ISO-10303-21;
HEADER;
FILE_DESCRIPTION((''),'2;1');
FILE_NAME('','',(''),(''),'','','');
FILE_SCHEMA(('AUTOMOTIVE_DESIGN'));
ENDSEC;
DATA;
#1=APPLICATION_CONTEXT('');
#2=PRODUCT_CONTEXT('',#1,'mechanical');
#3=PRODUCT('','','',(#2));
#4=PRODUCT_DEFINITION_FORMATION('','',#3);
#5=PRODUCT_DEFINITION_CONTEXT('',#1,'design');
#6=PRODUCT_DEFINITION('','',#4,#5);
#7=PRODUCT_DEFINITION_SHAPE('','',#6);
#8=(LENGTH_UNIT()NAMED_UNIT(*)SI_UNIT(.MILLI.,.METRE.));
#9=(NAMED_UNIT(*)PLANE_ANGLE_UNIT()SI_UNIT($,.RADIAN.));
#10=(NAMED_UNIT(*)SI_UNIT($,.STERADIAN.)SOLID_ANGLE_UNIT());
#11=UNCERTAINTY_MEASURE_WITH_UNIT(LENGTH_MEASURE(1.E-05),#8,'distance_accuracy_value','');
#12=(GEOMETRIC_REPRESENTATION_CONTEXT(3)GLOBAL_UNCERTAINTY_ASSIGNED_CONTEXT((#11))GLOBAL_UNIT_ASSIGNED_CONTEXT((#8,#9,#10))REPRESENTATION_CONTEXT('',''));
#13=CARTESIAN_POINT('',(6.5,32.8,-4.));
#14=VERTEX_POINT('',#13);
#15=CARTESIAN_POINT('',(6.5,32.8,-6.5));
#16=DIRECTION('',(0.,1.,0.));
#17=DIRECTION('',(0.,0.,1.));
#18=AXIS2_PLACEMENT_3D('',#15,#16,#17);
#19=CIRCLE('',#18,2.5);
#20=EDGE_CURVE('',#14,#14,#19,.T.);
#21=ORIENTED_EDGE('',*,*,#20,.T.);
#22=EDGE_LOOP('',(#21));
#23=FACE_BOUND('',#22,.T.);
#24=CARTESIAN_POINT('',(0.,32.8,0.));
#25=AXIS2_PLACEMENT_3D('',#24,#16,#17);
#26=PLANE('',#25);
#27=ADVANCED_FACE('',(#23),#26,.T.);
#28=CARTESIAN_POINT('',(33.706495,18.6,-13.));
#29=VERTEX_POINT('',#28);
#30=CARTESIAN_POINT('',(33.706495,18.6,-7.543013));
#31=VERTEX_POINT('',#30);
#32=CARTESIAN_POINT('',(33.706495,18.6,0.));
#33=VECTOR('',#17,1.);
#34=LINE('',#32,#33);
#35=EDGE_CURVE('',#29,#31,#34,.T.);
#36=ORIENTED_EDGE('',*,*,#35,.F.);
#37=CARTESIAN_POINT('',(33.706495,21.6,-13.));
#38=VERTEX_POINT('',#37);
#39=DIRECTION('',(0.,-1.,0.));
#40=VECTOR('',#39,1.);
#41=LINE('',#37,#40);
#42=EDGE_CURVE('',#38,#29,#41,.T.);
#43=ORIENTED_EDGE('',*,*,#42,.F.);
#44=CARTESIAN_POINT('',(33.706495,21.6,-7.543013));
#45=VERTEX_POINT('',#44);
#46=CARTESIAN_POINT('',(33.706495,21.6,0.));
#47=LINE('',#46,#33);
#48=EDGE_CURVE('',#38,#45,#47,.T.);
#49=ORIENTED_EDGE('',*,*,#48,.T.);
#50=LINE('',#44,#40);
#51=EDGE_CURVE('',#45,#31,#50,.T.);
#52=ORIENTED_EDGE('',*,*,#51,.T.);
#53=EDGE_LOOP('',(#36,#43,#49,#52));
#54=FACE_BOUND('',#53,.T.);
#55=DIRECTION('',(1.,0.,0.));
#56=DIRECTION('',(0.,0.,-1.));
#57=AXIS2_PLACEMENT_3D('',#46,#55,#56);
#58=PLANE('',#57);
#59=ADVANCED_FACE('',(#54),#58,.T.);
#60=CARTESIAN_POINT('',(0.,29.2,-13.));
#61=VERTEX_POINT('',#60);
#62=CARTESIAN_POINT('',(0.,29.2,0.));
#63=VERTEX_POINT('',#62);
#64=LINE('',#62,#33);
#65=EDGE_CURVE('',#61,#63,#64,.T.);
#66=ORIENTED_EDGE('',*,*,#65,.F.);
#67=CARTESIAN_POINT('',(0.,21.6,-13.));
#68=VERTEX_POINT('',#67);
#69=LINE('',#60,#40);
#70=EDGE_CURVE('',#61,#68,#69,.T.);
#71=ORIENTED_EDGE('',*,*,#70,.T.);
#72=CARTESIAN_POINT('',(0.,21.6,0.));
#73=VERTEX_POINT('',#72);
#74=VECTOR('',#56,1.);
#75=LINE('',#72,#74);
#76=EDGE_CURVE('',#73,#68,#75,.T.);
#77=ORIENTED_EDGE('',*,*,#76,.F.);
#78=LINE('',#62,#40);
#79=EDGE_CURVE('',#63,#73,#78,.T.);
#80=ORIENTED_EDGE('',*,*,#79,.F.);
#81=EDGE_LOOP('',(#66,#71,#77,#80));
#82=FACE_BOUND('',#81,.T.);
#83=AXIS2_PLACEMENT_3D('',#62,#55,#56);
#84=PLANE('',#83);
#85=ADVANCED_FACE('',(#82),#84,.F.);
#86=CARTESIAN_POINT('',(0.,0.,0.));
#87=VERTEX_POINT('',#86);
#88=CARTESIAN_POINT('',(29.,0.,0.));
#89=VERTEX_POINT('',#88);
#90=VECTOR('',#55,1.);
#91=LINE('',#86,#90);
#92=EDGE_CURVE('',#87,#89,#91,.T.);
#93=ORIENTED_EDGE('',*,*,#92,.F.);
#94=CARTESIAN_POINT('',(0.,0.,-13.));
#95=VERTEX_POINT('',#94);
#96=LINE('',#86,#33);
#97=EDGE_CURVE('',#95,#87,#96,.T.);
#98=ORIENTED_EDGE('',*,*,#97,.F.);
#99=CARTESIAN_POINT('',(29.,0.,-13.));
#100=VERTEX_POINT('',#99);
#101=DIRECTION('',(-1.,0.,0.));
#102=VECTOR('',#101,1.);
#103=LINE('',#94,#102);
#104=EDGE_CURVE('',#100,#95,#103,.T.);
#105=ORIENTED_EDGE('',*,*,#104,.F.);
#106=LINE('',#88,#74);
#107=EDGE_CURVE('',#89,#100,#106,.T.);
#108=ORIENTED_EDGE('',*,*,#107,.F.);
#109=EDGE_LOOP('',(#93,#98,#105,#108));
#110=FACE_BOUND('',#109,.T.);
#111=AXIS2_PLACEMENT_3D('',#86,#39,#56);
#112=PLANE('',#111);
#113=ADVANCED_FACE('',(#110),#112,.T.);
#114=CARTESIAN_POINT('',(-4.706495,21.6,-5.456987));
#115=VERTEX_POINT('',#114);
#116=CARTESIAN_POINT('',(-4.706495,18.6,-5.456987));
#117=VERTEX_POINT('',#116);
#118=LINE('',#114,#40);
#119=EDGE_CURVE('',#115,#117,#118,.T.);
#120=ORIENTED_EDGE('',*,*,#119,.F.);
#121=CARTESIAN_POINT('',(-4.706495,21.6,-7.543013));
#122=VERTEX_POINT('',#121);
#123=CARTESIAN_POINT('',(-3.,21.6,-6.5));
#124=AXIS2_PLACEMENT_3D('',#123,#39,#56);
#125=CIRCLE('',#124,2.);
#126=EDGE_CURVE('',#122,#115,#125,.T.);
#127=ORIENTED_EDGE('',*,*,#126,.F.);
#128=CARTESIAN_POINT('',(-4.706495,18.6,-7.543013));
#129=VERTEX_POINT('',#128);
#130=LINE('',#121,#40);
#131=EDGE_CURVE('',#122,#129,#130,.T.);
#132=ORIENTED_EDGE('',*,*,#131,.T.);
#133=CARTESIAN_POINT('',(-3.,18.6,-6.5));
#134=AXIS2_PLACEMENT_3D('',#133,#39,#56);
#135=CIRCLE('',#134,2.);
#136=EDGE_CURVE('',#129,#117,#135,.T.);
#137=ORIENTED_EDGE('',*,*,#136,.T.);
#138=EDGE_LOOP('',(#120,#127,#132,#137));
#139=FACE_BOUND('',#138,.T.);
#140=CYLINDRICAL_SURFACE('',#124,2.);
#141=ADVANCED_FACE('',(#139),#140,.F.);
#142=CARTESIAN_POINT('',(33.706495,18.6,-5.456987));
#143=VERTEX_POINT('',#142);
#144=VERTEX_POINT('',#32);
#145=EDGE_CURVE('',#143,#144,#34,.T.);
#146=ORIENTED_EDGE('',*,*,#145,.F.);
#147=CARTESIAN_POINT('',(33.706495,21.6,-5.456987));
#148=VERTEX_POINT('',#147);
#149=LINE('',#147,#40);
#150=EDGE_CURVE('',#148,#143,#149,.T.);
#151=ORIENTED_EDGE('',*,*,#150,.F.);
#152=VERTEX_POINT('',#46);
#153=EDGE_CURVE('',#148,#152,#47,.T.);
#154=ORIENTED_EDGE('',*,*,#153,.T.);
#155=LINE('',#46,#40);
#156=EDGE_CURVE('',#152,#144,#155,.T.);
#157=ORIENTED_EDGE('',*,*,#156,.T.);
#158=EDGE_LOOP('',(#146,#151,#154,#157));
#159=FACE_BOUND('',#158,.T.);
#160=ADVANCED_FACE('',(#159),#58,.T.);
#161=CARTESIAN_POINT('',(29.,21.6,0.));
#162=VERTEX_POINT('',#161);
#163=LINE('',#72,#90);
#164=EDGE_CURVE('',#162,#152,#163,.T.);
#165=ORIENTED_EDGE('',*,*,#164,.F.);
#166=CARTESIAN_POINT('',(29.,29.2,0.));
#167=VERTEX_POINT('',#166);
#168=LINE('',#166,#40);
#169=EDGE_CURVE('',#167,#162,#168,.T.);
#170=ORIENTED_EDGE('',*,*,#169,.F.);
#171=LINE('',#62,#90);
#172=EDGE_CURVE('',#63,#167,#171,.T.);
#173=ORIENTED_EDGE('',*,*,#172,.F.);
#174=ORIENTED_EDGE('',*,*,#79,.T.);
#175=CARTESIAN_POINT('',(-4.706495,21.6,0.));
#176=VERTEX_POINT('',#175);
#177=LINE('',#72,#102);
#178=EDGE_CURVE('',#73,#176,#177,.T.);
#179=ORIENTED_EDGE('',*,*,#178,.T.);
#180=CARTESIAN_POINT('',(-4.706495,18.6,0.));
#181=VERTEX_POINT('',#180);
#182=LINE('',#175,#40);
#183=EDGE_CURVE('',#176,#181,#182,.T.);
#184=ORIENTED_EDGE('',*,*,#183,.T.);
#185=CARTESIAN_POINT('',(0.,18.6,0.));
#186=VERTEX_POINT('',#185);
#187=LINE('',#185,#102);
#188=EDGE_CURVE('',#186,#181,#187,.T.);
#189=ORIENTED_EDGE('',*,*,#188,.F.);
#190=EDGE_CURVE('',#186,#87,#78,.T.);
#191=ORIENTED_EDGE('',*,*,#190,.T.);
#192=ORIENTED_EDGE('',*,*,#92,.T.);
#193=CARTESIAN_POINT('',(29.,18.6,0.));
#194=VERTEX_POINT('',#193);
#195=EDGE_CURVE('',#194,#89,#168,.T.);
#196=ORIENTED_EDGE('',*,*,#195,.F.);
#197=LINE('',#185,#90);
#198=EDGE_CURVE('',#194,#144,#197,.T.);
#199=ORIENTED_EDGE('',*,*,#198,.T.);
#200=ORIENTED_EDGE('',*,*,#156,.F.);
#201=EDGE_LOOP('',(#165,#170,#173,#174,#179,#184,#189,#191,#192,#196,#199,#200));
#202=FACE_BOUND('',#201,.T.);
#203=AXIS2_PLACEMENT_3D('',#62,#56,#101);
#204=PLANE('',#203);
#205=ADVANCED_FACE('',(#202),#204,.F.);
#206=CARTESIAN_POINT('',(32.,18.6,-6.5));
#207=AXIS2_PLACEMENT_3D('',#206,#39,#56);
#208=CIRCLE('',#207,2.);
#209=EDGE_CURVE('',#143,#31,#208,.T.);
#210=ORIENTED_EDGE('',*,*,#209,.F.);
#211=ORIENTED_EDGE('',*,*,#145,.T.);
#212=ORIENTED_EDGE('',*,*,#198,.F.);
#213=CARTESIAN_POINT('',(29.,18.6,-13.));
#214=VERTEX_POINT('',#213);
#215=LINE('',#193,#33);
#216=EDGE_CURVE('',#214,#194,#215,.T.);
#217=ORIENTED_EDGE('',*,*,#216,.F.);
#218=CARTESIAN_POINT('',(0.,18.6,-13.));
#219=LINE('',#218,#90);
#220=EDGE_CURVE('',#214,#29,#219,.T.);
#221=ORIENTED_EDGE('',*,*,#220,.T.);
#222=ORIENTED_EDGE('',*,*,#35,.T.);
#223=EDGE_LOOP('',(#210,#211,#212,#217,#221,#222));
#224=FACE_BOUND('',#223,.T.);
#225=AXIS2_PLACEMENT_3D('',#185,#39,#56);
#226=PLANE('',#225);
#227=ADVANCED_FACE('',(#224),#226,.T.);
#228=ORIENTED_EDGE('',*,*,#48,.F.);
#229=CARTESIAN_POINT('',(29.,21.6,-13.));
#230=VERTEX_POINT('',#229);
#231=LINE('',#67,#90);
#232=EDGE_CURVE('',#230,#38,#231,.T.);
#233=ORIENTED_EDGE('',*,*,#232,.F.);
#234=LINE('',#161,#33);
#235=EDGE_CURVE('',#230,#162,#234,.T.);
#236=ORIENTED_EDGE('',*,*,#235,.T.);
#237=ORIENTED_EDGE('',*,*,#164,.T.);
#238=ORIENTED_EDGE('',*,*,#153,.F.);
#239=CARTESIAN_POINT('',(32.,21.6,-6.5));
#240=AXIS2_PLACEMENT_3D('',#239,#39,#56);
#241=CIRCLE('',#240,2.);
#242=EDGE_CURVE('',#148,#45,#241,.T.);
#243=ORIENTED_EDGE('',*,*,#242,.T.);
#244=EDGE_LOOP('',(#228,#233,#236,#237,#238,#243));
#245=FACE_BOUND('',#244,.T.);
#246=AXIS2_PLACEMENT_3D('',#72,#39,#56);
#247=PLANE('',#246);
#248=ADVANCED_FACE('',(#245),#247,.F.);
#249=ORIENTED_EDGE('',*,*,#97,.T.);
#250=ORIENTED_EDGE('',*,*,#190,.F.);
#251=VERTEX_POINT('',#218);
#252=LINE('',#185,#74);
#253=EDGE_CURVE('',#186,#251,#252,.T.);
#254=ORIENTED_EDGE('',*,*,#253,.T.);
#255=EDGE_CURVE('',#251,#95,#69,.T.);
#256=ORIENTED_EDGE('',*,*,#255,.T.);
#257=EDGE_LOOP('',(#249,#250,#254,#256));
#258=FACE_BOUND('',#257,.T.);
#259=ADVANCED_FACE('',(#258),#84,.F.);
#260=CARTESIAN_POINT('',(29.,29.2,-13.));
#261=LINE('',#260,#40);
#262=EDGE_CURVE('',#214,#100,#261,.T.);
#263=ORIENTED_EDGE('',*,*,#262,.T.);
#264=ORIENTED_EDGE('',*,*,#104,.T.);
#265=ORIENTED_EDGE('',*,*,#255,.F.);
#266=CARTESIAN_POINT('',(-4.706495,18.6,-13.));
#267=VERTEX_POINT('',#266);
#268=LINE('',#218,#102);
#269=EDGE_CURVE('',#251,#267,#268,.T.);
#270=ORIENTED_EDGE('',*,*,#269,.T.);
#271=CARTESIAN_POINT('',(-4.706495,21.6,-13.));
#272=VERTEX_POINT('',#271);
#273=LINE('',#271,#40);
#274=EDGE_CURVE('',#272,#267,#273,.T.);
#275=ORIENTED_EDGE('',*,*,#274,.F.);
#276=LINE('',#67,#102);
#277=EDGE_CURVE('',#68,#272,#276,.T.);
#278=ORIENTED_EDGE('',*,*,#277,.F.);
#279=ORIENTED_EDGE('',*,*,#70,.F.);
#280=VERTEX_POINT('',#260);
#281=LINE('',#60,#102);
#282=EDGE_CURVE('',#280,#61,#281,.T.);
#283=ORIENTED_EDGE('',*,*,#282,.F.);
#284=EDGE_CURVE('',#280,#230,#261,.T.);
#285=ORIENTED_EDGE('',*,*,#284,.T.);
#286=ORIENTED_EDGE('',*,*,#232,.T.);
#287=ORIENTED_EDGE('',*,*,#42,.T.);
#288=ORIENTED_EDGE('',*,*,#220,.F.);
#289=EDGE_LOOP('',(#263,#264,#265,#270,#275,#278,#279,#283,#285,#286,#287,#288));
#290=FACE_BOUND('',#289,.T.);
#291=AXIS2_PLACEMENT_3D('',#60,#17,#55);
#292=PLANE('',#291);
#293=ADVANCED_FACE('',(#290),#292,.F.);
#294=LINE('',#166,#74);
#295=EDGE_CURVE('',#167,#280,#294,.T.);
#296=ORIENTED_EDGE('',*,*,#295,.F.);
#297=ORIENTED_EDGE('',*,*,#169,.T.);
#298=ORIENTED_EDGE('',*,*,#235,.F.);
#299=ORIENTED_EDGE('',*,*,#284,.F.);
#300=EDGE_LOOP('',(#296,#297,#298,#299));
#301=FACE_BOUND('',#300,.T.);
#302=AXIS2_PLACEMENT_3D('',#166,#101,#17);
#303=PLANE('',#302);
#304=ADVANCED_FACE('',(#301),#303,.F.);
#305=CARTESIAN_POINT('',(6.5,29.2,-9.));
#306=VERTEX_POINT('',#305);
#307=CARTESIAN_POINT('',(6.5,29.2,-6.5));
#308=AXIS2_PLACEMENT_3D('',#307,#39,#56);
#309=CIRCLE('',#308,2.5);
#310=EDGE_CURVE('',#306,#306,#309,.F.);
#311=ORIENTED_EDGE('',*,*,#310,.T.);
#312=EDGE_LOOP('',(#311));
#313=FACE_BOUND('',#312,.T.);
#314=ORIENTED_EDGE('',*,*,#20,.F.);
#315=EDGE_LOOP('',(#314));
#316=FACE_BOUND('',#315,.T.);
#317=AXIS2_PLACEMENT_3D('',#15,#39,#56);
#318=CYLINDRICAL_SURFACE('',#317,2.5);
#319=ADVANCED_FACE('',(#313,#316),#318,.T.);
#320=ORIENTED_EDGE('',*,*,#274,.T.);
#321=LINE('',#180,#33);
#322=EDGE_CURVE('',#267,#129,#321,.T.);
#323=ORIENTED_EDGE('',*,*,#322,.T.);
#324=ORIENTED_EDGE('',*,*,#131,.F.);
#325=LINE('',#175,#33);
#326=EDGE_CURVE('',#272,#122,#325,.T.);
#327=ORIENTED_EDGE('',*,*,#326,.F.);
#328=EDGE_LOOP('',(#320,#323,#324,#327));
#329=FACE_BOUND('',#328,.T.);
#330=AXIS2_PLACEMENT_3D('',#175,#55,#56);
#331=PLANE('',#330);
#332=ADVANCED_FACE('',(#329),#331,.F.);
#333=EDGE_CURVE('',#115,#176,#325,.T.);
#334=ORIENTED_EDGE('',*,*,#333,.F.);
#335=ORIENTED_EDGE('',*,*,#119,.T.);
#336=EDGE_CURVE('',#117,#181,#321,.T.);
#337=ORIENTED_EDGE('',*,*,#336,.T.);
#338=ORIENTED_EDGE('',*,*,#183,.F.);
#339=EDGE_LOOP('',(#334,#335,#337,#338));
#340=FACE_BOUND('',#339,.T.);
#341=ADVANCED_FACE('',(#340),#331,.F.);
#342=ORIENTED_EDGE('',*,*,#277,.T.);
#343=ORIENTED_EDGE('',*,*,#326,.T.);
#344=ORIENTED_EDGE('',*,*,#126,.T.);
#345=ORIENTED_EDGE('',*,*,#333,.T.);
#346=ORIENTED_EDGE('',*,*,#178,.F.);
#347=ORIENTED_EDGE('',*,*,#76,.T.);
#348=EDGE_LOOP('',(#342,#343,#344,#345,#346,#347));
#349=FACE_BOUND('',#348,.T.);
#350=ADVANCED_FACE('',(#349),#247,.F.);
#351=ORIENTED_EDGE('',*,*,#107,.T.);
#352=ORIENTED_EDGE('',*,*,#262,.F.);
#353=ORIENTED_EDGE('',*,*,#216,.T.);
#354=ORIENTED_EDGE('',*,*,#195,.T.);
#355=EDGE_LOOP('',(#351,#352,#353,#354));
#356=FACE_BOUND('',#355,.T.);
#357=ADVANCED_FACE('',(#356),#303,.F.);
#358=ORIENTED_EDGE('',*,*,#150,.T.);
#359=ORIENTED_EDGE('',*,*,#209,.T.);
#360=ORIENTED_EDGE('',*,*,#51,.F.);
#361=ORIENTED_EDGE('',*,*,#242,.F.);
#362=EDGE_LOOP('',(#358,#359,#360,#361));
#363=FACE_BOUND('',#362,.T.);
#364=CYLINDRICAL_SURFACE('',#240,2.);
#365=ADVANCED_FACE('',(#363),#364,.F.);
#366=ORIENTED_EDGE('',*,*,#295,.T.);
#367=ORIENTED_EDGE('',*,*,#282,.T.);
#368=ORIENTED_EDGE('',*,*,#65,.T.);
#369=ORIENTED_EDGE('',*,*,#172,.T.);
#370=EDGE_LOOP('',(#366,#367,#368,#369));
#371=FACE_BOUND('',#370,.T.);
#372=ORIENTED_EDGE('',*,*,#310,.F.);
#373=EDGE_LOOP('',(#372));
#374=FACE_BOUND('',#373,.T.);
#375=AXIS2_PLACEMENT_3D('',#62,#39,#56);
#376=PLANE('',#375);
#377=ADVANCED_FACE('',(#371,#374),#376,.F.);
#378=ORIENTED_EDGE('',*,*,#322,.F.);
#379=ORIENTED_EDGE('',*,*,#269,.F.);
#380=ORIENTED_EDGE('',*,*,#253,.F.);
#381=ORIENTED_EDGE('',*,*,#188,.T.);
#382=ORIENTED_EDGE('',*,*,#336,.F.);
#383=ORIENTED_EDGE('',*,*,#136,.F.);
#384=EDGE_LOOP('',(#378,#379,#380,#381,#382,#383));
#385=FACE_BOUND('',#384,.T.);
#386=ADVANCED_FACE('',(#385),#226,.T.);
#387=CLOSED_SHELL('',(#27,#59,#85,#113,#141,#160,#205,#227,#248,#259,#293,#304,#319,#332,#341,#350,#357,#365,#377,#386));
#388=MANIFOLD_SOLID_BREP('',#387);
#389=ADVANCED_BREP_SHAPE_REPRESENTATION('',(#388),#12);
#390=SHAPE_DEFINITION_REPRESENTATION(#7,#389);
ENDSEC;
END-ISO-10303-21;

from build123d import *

# Parameters (mm, degrees)
SKETCH_1_W      = 29
SKETCH_1_H      = 13
EXTRUDE_2_DEPTH = 29.2
EXTRUDE_3_DEPTH = 3
SKETCH_3_R      = 2.5
EXTRUDE_4_DEPTH = 3.6


with BuildPart() as part:
    # 草图1 → 凸台-拉伸2 (new body)
    with BuildSketch(Plane(origin=(0, 0, 0), x_dir=(1, 0, 0), z_dir=(0, 1, 0))):
        with Locations((14.5, 6.5)):
            Rectangle(SKETCH_1_W, SKETCH_1_H)
    extrude(amount=EXTRUDE_2_DEPTH)

    # 草图2 → 凸台-拉伸3 (add)
    with BuildSketch(Plane(origin=(0, 18.6, 0), x_dir=(-1, 0, 0), z_dir=(0, -1, 0))):
        with BuildLine():
            Line((-29, 0), (-29, 13))
            Line((-29, 13), (-33.706494839, 13))
            Line((-33.706494839, 13), (-33.706494839, 7.543012639))
            ThreePointArc((-33.706494839, 7.543012639), (-30, 6.5), (-33.706494839, 5.456987361))
            Line((-33.706494839, 5.456987361), (-33.706494839, 0))
            Line((-33.706494839, 0), (-29, 0))
        make_face()
        with BuildLine():
            Line((4.706494839, 13), (0, 13))
            Line((0, 13), (0, 0))
            Line((0, 0), (4.706494839, 0))
            Line((4.706494839, 0), (4.706494839, 5.456987361))
            ThreePointArc((4.706494839, 5.456987361), (1, 6.5), (4.706494839, 7.543012639))
            Line((4.706494839, 7.543012639), (4.706494839, 13))
        make_face()
    extrude(amount=-EXTRUDE_3_DEPTH)

    # 草图3 → 凸台-拉伸4 (add)
    with BuildSketch(Plane(origin=(0, 29.2, 0), x_dir=(1, 0, 0), z_dir=(0, 1, 0))):
        with Locations(Location((6.5, 6.5, 0), (0, 0, 90))):
            Circle(SKETCH_3_R)
    extrude(amount=EXTRUDE_4_DEPTH)


solid = part.part
